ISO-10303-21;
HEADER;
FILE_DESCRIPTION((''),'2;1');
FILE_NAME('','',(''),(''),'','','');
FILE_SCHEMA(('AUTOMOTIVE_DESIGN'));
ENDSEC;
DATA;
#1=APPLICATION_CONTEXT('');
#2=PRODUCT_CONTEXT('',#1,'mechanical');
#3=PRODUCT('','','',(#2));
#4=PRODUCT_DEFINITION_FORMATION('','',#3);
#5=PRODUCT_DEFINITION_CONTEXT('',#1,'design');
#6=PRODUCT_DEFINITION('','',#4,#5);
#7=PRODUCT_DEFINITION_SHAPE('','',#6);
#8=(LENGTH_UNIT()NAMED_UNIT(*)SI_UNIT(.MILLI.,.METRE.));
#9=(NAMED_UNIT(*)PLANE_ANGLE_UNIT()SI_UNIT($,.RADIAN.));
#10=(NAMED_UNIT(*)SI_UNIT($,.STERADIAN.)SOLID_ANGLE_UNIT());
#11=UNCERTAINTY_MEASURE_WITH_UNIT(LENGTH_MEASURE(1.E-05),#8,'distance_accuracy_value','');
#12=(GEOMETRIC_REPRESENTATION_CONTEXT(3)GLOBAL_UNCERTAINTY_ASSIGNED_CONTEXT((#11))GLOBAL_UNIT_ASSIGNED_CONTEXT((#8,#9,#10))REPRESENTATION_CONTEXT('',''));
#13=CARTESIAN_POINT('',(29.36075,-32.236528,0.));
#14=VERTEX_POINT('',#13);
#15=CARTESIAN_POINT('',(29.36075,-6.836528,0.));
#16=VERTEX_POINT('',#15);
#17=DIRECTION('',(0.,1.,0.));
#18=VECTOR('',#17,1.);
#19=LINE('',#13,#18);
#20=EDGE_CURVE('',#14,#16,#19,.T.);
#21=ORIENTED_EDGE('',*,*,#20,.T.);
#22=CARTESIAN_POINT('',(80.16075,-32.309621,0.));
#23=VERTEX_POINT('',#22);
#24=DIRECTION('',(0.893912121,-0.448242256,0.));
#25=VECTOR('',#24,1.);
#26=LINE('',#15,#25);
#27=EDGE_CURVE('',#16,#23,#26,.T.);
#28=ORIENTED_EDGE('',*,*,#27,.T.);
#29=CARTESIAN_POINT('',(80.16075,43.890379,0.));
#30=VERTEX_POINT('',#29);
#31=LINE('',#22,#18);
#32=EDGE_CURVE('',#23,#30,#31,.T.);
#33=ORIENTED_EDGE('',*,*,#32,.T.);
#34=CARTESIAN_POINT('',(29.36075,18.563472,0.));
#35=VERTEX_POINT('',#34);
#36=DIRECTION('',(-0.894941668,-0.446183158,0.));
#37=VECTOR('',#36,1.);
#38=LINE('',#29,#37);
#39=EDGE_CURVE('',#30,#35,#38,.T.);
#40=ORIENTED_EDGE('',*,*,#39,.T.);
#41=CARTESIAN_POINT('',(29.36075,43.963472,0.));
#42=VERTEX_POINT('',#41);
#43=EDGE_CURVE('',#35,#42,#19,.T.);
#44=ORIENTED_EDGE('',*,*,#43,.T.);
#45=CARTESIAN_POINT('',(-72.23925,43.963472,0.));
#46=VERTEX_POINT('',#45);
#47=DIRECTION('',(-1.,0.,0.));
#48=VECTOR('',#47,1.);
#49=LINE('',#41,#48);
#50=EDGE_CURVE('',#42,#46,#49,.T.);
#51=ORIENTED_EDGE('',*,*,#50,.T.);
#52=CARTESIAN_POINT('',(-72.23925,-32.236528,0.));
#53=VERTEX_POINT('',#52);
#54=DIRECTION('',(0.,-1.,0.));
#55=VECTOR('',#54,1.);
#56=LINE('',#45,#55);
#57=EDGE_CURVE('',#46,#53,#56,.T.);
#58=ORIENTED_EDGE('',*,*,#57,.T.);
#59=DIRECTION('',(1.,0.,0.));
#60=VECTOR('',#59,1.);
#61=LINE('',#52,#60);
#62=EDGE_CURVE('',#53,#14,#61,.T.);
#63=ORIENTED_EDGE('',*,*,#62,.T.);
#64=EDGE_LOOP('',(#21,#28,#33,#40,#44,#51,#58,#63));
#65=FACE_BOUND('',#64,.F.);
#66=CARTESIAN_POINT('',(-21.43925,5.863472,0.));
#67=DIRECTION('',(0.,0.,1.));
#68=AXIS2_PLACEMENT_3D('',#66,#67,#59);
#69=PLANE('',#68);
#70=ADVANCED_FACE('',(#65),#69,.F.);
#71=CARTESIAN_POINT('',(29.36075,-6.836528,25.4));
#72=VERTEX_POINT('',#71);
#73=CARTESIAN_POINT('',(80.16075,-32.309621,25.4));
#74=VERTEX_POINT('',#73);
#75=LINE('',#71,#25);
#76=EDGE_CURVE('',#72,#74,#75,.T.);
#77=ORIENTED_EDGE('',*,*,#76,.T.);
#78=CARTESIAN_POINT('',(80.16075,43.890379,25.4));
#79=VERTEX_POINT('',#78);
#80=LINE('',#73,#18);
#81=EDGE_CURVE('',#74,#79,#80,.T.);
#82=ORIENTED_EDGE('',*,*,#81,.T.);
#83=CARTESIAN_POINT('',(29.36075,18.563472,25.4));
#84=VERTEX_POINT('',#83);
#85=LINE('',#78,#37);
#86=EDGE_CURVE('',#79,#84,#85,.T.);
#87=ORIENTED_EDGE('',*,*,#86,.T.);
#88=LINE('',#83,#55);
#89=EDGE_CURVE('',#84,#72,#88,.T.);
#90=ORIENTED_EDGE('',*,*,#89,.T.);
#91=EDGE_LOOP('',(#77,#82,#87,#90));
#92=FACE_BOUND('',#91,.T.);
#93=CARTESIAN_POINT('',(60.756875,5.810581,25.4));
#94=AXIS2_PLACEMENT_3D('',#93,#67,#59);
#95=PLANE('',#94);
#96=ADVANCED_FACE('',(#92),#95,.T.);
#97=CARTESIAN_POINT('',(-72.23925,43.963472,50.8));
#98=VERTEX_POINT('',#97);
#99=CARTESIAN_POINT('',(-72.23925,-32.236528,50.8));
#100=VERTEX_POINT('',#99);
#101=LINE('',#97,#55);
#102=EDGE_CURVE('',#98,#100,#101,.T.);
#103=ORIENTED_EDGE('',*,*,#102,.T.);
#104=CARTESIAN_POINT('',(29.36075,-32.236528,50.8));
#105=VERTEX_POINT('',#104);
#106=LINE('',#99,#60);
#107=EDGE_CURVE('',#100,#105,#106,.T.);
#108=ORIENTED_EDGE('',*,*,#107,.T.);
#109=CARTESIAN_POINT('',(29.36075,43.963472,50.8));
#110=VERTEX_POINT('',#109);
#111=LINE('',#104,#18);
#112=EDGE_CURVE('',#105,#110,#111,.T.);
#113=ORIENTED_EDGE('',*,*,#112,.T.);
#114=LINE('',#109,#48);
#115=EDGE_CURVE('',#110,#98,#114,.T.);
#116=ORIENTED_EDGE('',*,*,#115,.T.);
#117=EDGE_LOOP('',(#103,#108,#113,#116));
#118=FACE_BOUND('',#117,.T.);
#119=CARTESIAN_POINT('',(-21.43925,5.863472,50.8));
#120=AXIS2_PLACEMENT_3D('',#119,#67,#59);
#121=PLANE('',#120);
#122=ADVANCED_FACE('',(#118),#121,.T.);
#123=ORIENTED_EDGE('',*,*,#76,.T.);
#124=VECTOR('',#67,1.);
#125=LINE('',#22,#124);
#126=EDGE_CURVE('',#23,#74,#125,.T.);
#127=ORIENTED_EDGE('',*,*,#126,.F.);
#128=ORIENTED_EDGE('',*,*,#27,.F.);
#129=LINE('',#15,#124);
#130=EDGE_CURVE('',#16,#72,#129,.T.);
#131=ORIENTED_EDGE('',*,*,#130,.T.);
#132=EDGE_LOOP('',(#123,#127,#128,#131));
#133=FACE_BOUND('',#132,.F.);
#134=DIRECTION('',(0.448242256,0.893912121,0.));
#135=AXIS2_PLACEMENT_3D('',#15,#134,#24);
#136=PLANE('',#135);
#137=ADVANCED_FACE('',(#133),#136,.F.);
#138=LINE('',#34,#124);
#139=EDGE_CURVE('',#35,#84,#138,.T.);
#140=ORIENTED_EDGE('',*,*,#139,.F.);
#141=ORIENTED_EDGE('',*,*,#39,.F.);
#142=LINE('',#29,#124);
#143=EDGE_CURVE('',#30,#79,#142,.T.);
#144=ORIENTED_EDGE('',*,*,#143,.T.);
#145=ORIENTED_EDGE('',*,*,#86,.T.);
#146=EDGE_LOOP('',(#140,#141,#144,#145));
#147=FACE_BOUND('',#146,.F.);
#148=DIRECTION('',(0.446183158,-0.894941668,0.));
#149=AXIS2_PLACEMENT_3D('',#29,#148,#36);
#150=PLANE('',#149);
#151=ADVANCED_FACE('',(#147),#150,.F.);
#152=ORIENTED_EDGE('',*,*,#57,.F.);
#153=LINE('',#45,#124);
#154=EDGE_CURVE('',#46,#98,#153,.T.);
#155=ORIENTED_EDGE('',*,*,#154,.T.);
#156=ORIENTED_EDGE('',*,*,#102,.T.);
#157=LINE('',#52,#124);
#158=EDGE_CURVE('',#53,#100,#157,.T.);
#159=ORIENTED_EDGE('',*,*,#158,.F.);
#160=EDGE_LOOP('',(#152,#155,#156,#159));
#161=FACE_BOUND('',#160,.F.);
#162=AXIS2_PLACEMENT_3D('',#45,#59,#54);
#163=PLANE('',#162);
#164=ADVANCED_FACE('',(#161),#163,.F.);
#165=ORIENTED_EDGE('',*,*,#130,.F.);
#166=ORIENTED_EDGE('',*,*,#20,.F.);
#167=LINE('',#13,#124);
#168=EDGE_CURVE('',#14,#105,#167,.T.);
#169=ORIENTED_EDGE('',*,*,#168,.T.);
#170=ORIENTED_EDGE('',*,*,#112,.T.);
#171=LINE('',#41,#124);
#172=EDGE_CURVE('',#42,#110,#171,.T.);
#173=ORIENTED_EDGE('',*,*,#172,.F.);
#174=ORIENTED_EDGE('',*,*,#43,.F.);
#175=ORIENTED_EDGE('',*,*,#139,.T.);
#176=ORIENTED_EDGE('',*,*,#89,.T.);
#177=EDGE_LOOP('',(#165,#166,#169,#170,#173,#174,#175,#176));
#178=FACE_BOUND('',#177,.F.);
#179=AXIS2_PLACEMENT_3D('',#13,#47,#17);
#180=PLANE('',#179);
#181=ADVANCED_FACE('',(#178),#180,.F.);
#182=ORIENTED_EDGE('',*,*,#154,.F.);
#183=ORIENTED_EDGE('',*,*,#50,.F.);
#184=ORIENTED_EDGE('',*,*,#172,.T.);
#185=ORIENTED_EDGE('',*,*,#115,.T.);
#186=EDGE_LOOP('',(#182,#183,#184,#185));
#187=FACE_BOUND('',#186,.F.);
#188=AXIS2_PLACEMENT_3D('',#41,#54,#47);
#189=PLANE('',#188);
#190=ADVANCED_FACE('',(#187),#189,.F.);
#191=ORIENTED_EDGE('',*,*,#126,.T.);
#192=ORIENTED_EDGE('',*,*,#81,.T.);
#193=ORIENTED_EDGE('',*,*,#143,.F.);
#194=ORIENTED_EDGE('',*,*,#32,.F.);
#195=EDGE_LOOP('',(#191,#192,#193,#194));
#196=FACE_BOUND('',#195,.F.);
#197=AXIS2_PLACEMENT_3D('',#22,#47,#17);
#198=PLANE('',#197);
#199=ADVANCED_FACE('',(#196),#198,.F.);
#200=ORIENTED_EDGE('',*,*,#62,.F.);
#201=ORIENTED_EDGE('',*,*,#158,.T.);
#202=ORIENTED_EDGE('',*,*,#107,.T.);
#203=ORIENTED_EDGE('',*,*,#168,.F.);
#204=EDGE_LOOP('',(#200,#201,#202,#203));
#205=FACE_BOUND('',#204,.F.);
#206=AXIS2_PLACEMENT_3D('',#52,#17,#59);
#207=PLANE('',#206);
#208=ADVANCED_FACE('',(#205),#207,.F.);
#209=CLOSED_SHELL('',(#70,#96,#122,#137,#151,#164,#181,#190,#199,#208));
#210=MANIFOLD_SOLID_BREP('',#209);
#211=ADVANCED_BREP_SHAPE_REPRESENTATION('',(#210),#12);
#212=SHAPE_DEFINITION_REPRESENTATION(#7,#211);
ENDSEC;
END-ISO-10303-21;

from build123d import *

# Parameters (mm, degrees)
F1_DEPTH = 50.8
F2_DEPTH = 25.4


with BuildPart() as f1:
    # F0 (on Top) → F1 (new body)
    with BuildSketch(Plane.XY):
        Polygon((29.36075, 43.963472), (-72.23925, 43.963472), (-72.23925, -32.236528), (29.36075, -32.236528), (29.36075, -6.836528), (29.36075, 18.563472), align=None)
    extrude(amount=F1_DEPTH)

    # F0 (on Top) → F2 (join)
    with BuildSketch(Plane.XY):
        Polygon((80.16075, 43.890379), (29.36075, 18.563472), (29.36075, -6.836528), (80.16075, -32.309621), (80.16075, 18.490379), align=None)
    extrude(amount=F2_DEPTH)


solid = f1.part
